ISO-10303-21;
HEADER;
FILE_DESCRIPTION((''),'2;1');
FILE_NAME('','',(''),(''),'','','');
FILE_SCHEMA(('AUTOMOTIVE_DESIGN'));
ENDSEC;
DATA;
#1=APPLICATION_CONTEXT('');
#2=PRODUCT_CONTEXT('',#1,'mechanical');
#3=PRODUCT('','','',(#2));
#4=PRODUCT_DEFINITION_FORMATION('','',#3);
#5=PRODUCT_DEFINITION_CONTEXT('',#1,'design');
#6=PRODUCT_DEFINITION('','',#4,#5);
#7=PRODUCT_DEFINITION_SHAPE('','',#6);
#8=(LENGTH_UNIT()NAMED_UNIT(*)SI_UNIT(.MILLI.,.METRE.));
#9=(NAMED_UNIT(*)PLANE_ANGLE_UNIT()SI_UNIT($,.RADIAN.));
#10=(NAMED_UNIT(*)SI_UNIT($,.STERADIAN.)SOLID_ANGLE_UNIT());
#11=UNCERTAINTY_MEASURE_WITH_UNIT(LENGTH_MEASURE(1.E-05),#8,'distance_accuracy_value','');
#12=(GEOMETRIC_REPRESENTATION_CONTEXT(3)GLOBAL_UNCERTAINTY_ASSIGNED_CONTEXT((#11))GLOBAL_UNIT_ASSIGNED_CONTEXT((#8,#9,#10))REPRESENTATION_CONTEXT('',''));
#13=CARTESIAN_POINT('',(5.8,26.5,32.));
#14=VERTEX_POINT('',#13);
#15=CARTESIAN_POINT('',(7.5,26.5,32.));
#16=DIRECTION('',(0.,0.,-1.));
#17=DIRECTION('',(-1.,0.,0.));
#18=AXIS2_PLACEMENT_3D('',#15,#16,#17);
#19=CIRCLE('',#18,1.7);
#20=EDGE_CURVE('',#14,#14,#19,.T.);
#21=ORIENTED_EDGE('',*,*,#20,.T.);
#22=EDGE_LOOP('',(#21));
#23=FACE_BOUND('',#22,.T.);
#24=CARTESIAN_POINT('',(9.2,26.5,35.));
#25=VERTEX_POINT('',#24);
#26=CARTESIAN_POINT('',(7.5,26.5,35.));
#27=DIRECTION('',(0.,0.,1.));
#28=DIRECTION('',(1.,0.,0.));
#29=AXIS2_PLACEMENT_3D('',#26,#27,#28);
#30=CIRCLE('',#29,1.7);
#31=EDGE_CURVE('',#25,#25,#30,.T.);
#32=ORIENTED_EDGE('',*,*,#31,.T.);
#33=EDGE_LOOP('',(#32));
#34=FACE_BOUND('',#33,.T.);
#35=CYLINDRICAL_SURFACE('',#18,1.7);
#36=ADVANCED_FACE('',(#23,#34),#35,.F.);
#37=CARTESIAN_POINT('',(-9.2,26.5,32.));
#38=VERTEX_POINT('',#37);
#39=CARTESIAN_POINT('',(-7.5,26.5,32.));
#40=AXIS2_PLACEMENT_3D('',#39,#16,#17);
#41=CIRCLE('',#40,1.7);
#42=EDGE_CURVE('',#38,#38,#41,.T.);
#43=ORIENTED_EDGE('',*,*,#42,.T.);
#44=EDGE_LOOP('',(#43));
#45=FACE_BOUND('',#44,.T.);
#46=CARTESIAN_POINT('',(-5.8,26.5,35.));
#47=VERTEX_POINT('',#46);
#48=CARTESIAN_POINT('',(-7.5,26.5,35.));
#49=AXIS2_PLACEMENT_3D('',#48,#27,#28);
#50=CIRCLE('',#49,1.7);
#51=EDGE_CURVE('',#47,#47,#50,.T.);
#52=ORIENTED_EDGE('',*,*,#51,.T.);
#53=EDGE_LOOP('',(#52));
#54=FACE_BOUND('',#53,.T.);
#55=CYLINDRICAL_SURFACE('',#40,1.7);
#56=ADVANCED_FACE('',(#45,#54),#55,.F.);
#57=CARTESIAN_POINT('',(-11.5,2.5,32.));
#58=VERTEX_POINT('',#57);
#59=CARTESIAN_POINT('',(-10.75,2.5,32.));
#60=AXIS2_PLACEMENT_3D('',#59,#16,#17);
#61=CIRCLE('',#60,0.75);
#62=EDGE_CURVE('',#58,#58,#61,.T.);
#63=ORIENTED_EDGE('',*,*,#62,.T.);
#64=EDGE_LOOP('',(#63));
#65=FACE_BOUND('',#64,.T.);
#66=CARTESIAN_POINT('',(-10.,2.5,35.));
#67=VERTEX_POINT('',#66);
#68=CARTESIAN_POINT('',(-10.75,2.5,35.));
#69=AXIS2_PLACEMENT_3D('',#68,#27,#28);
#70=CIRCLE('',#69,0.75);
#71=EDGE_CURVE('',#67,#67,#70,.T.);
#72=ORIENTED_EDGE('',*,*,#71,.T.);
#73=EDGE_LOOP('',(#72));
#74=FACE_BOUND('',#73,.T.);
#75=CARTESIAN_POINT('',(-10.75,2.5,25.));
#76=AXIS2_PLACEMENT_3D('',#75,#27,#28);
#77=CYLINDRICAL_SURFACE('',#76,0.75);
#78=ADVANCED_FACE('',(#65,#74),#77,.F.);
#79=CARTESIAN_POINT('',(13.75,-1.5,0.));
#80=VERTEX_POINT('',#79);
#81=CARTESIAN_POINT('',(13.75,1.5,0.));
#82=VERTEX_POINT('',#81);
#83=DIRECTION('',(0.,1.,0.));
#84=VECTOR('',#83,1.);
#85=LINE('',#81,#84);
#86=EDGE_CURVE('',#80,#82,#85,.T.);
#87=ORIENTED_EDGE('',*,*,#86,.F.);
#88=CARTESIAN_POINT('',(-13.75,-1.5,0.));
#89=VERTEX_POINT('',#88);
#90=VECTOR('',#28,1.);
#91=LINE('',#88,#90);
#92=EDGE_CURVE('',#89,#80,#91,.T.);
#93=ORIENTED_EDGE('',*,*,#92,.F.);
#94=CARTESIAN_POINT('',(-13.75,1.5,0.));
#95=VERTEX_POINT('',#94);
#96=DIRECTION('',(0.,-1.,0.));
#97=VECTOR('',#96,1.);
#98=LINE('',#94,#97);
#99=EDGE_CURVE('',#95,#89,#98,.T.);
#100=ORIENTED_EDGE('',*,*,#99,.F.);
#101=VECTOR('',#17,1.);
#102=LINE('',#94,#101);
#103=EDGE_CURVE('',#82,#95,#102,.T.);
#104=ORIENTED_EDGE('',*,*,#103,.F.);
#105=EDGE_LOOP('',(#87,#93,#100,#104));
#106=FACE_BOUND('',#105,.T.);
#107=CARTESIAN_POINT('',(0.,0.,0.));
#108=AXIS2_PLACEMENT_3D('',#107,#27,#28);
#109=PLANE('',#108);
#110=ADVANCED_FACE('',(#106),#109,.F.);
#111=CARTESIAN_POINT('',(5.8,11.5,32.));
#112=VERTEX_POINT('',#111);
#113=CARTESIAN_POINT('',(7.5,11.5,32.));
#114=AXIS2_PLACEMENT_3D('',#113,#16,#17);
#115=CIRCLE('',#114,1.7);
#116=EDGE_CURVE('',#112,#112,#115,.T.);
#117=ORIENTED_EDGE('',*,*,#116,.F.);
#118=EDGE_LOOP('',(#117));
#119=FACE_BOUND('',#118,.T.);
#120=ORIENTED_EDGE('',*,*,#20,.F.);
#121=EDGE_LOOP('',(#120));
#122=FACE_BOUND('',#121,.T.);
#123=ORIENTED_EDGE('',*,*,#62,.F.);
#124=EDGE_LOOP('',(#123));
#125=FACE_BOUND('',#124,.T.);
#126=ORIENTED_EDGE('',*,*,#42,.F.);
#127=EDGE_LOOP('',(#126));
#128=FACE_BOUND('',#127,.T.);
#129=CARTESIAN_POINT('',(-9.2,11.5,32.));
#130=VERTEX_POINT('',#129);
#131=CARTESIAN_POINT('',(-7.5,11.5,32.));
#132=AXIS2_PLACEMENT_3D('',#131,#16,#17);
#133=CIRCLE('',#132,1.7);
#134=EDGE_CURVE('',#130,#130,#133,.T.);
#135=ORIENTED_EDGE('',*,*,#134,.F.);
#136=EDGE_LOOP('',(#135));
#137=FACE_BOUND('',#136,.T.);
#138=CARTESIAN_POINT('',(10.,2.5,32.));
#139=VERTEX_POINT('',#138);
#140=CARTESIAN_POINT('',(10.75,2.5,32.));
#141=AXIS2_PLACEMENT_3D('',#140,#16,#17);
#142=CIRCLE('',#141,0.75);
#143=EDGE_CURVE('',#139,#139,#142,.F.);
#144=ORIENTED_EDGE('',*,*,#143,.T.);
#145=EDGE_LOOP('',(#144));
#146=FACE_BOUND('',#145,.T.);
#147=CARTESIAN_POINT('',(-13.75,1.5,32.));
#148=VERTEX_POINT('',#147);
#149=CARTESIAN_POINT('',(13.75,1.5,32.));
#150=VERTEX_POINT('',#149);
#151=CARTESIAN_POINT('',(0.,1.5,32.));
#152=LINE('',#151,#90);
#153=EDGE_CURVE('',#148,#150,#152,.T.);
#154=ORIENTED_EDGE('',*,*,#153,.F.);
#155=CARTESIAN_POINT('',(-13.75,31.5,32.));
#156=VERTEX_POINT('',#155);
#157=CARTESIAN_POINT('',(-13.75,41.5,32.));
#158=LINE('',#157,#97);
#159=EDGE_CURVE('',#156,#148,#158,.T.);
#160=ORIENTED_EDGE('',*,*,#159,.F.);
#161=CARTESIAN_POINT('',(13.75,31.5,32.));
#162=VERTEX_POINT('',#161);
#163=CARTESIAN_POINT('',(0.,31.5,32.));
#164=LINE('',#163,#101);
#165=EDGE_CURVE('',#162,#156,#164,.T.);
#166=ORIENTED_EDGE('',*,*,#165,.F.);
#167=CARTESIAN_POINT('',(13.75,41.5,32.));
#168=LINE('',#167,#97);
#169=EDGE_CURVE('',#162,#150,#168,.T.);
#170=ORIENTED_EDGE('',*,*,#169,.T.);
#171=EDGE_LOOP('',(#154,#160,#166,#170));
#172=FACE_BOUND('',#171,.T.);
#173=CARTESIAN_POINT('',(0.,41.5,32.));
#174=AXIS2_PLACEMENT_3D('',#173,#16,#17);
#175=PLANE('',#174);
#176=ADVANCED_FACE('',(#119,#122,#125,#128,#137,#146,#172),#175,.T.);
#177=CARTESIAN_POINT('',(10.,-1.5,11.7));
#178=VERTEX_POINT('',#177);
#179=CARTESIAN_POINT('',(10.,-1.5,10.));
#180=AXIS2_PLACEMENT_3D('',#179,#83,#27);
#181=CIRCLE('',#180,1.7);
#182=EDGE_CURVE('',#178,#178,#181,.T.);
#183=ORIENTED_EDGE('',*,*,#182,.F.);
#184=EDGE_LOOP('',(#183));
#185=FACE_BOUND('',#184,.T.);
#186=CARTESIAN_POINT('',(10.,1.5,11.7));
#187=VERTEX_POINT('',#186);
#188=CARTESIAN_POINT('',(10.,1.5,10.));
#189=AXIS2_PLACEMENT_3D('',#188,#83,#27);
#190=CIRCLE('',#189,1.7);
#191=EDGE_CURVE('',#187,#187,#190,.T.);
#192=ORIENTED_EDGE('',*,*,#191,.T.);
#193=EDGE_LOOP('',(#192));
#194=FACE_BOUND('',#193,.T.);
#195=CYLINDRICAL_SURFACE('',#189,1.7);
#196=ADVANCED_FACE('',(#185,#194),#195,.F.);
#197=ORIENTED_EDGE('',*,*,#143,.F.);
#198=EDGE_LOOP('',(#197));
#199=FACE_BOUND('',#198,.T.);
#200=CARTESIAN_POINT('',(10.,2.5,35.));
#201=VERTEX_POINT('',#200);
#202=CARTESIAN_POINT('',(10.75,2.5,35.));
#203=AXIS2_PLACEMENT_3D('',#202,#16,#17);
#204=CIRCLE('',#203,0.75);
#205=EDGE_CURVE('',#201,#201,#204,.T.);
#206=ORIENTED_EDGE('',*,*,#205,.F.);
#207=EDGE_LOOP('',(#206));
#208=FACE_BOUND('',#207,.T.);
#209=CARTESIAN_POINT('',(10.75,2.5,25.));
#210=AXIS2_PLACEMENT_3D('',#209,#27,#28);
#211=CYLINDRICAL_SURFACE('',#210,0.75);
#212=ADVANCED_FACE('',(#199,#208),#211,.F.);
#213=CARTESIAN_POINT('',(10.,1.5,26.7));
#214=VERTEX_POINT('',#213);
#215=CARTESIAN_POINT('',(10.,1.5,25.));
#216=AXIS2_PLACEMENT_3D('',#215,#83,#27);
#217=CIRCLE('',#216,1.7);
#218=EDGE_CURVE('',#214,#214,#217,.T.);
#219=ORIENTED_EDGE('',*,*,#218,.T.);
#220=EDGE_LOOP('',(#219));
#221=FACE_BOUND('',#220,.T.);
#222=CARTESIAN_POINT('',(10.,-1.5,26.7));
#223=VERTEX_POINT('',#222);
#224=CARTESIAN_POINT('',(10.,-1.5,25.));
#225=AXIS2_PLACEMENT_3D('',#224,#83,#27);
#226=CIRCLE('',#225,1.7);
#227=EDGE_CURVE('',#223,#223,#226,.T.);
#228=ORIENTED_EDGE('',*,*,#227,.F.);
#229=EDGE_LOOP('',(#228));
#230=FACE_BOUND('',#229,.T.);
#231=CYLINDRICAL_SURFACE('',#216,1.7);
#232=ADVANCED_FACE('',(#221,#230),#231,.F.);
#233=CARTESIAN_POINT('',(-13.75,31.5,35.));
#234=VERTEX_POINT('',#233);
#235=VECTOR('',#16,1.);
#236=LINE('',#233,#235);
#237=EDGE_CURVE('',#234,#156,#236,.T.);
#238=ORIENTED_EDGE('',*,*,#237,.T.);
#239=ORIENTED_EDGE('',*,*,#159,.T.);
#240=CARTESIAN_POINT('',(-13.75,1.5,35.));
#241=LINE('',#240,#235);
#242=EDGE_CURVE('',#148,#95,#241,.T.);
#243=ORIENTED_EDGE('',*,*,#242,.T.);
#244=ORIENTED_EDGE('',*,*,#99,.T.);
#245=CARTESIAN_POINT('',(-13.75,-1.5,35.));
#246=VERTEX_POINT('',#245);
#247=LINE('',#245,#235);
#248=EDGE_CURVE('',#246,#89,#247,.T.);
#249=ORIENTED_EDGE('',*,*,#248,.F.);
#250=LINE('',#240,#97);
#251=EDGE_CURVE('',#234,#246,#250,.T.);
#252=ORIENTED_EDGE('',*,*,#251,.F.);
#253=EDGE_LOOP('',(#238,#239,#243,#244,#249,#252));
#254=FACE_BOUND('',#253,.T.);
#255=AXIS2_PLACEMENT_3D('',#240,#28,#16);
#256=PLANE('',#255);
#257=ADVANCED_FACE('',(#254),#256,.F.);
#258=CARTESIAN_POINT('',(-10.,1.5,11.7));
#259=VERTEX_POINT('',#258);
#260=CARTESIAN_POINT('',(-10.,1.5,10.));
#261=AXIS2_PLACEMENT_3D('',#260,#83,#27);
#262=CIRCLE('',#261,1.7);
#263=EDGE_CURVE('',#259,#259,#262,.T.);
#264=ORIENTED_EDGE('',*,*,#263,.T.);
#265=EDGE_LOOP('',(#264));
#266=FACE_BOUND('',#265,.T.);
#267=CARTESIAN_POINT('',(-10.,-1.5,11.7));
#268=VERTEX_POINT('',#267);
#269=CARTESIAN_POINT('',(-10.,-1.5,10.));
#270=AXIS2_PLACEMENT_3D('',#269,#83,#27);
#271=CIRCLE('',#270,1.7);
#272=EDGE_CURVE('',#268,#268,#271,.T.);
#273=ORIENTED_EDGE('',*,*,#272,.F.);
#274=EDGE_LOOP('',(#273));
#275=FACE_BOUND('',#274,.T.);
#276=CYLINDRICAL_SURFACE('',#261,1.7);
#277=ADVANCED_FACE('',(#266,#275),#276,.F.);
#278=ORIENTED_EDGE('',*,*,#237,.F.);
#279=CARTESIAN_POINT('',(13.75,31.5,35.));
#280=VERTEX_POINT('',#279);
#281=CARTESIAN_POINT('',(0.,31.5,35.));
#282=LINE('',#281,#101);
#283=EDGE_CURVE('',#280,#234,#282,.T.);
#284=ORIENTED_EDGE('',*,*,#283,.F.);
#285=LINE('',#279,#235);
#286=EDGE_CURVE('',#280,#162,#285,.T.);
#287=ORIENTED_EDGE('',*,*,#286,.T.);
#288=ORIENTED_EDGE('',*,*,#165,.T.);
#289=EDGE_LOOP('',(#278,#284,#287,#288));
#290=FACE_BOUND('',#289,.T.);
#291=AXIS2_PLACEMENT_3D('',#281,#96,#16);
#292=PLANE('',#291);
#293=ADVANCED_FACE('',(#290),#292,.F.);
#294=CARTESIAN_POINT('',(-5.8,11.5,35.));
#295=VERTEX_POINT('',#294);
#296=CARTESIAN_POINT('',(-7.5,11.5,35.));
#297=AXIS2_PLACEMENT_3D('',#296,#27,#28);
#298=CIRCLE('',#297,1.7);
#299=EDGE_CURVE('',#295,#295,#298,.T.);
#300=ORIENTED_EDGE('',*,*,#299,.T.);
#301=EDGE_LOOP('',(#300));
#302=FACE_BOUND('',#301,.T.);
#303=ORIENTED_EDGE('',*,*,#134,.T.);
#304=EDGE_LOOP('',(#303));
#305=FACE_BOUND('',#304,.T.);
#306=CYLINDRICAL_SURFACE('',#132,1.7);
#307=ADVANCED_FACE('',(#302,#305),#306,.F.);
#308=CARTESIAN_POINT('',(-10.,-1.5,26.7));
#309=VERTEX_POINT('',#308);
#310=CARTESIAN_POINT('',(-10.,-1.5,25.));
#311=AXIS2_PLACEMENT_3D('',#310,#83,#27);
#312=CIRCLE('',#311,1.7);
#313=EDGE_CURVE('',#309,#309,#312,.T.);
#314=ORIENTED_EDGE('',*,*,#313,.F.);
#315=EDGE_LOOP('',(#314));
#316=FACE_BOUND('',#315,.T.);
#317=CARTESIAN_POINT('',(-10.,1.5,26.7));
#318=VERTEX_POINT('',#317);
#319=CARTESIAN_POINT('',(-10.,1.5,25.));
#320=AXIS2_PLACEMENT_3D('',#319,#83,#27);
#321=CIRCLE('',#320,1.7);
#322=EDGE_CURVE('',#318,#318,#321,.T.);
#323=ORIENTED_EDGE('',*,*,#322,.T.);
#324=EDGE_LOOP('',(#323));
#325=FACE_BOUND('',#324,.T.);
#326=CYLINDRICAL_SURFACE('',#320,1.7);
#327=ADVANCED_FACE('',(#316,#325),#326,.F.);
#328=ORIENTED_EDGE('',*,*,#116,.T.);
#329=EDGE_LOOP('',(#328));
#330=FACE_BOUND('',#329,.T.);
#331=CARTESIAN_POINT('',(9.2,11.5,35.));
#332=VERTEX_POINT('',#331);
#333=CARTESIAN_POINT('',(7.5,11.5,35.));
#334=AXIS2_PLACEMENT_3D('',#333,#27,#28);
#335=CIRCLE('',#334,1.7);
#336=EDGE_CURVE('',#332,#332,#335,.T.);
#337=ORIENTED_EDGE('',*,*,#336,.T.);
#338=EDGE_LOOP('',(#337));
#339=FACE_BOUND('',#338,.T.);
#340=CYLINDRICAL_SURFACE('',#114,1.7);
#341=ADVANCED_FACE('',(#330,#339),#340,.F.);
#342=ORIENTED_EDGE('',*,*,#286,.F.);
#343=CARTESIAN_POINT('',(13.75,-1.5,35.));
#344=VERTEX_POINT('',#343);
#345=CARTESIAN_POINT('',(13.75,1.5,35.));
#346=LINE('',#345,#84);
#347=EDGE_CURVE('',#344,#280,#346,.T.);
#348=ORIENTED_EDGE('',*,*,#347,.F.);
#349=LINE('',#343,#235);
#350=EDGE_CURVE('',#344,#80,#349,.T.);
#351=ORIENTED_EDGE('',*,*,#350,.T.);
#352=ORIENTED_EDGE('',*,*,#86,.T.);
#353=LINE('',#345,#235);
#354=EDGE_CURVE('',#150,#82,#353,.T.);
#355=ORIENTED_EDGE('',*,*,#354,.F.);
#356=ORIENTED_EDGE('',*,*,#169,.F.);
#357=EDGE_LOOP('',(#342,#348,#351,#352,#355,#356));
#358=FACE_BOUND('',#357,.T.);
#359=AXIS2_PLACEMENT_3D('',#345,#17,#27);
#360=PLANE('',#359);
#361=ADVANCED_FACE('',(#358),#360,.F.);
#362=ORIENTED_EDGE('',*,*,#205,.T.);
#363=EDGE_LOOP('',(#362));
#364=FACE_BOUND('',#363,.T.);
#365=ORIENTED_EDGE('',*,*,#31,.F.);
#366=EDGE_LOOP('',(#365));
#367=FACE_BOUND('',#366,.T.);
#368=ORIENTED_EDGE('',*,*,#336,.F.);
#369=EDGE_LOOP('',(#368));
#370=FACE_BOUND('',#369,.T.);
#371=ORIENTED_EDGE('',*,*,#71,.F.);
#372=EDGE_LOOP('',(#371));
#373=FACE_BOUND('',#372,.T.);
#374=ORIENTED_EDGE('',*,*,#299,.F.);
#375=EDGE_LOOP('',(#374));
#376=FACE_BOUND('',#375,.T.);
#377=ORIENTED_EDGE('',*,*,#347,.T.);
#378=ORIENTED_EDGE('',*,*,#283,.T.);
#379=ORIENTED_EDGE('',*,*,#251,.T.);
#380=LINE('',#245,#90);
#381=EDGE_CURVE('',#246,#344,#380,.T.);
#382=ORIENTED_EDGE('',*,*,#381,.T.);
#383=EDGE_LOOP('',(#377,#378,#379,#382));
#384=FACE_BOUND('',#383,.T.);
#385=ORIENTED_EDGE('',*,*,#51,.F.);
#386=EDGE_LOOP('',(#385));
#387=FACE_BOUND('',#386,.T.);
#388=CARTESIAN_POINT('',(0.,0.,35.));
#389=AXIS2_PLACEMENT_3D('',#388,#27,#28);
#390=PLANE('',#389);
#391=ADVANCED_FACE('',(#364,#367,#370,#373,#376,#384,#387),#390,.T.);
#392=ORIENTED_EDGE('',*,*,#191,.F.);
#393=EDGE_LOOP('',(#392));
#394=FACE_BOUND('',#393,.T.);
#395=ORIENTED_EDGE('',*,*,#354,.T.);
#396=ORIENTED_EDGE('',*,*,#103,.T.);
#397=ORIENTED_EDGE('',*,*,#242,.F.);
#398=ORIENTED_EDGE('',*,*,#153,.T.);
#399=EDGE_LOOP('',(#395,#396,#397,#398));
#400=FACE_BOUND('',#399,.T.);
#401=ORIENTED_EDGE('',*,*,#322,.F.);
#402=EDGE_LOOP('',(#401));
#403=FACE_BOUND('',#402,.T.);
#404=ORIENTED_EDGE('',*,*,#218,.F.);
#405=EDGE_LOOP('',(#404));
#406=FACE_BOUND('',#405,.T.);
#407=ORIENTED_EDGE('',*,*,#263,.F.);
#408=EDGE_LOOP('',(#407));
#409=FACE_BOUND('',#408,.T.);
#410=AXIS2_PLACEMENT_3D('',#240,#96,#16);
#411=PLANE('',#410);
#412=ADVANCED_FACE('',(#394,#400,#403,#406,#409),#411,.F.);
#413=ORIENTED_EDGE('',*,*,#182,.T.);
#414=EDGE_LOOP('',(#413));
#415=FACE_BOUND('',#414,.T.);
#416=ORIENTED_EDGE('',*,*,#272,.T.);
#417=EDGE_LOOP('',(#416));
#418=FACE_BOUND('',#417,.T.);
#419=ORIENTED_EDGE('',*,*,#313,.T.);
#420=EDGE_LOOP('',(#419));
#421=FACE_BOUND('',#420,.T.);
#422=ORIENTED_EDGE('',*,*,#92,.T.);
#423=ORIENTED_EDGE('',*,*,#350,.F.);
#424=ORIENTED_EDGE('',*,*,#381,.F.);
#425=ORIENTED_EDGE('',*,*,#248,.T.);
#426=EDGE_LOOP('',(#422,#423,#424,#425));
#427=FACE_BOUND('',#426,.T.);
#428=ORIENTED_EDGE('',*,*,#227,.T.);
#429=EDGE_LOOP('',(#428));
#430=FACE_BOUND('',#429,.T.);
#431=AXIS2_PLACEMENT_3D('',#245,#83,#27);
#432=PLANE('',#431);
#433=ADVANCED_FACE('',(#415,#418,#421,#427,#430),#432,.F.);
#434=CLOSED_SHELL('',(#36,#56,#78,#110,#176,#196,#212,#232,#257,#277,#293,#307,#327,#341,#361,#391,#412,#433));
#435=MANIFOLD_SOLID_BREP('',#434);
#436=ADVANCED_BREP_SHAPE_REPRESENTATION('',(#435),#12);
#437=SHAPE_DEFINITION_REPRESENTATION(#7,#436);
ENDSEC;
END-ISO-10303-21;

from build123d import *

# Parameters (mm, degrees)
SKETCH1_W                = 27.5
SKETCH1_H                = 3
BOSS_EXTRUDE1_DEPTH      = 35
SKETCH2_W                = 27.5
SKETCH2_H                = 3
BOSS_EXTRUDE2_DEPTH      = 40
M3_CLEARANCE_HOLE1_D     = 3.4
M3_CLEARANCE_HOLE1_DEPTH = 5
M3_CLEARANCE_HOLE1_TIP   = 1.021463052
SKETCH6_R                = 0.75
CUT_EXTRUDE1_DEPTH       = 10
M3_CLEARANCE_HOLE2_D     = 3.4
M3_CLEARANCE_HOLE2_DEPTH = 5
M3_CLEARANCE_HOLE2_TIP   = 1.021463052
SKETCH12_W               = 27.5
SKETCH12_H               = 10
CUT_EXTRUDE2_DEPTH       = 4


with BuildPart() as part:
    # Sketch1 → Boss-Extrude1 (new body)
    with BuildSketch(Plane.XY):
        Rectangle(SKETCH1_W, SKETCH1_H)
    extrude(amount=BOSS_EXTRUDE1_DEPTH)

    # Sketch2 → Boss-Extrude2 (add)
    with BuildSketch(Plane(origin=(0, 1.5, 0), x_dir=(1, 0, 0), z_dir=(0, 1, 0))):
        with Locations((0, -33.5)):
            Rectangle(SKETCH2_W, SKETCH2_H)
    extrude(amount=BOSS_EXTRUDE2_DEPTH)

    # M3 Clearance Hole1
    with Locations(Plane(origin=(0, 1.5, 0), x_dir=(1, 0, 0), z_dir=(0, 1, 0))):
        with Locations((-10, -10), (-10, -25), (10, -25), (10, -10)):
            Hole(M3_CLEARANCE_HOLE1_D / 2, depth=M3_CLEARANCE_HOLE1_DEPTH)
            with Locations((0, 0, -(M3_CLEARANCE_HOLE1_DEPTH + M3_CLEARANCE_HOLE1_TIP / 2))):  # 118° drill point
                Cone(0, M3_CLEARANCE_HOLE1_D / 2, M3_CLEARANCE_HOLE1_TIP, mode=Mode.SUBTRACT)

    # Sketch6 → Cut-Extrude1 (cut)
    with BuildSketch(Plane.XY.offset(35)):
        with Locations((-10.75, 2.5)):
            Circle(SKETCH6_R)
    cut_extrude1 = extrude(amount=-CUT_EXTRUDE1_DEPTH, mode=Mode.SUBTRACT)

    # M3 Clearance Hole2
    with Locations(Plane(origin=(0, 0, 32), x_dir=(-1, 0, 0), z_dir=(0, 0, -1))):
        with Locations((-7.5, 11.5), (7.5, 11.5), (7.5, 26.5), (-7.5, 26.5)):
            Hole(M3_CLEARANCE_HOLE2_D / 2, depth=M3_CLEARANCE_HOLE2_DEPTH)
            with Locations((0, 0, -(M3_CLEARANCE_HOLE2_DEPTH + M3_CLEARANCE_HOLE2_TIP / 2))):  # 118° drill point
                Cone(0, M3_CLEARANCE_HOLE2_D / 2, M3_CLEARANCE_HOLE2_TIP, mode=Mode.SUBTRACT)

    # Mirror1: Cut-Extrude1 across plane
    add(cut_extrude1.mirror(Plane(origin=(0, 0, 0), x_dir=(0, 0, 1), z_dir=(1, 0, 0))), mode=Mode.SUBTRACT)

    # Sketch12 → Cut-Extrude2 (cut, through all)
    with BuildSketch(Plane(origin=(0, 0, 32), x_dir=(-1, 0, 0), z_dir=(0, 0, -1))):
        with Locations((0, 36.5)):
            Rectangle(SKETCH12_W, SKETCH12_H)
    extrude(amount=-CUT_EXTRUDE2_DEPTH, mode=Mode.SUBTRACT)


solid = part.part
